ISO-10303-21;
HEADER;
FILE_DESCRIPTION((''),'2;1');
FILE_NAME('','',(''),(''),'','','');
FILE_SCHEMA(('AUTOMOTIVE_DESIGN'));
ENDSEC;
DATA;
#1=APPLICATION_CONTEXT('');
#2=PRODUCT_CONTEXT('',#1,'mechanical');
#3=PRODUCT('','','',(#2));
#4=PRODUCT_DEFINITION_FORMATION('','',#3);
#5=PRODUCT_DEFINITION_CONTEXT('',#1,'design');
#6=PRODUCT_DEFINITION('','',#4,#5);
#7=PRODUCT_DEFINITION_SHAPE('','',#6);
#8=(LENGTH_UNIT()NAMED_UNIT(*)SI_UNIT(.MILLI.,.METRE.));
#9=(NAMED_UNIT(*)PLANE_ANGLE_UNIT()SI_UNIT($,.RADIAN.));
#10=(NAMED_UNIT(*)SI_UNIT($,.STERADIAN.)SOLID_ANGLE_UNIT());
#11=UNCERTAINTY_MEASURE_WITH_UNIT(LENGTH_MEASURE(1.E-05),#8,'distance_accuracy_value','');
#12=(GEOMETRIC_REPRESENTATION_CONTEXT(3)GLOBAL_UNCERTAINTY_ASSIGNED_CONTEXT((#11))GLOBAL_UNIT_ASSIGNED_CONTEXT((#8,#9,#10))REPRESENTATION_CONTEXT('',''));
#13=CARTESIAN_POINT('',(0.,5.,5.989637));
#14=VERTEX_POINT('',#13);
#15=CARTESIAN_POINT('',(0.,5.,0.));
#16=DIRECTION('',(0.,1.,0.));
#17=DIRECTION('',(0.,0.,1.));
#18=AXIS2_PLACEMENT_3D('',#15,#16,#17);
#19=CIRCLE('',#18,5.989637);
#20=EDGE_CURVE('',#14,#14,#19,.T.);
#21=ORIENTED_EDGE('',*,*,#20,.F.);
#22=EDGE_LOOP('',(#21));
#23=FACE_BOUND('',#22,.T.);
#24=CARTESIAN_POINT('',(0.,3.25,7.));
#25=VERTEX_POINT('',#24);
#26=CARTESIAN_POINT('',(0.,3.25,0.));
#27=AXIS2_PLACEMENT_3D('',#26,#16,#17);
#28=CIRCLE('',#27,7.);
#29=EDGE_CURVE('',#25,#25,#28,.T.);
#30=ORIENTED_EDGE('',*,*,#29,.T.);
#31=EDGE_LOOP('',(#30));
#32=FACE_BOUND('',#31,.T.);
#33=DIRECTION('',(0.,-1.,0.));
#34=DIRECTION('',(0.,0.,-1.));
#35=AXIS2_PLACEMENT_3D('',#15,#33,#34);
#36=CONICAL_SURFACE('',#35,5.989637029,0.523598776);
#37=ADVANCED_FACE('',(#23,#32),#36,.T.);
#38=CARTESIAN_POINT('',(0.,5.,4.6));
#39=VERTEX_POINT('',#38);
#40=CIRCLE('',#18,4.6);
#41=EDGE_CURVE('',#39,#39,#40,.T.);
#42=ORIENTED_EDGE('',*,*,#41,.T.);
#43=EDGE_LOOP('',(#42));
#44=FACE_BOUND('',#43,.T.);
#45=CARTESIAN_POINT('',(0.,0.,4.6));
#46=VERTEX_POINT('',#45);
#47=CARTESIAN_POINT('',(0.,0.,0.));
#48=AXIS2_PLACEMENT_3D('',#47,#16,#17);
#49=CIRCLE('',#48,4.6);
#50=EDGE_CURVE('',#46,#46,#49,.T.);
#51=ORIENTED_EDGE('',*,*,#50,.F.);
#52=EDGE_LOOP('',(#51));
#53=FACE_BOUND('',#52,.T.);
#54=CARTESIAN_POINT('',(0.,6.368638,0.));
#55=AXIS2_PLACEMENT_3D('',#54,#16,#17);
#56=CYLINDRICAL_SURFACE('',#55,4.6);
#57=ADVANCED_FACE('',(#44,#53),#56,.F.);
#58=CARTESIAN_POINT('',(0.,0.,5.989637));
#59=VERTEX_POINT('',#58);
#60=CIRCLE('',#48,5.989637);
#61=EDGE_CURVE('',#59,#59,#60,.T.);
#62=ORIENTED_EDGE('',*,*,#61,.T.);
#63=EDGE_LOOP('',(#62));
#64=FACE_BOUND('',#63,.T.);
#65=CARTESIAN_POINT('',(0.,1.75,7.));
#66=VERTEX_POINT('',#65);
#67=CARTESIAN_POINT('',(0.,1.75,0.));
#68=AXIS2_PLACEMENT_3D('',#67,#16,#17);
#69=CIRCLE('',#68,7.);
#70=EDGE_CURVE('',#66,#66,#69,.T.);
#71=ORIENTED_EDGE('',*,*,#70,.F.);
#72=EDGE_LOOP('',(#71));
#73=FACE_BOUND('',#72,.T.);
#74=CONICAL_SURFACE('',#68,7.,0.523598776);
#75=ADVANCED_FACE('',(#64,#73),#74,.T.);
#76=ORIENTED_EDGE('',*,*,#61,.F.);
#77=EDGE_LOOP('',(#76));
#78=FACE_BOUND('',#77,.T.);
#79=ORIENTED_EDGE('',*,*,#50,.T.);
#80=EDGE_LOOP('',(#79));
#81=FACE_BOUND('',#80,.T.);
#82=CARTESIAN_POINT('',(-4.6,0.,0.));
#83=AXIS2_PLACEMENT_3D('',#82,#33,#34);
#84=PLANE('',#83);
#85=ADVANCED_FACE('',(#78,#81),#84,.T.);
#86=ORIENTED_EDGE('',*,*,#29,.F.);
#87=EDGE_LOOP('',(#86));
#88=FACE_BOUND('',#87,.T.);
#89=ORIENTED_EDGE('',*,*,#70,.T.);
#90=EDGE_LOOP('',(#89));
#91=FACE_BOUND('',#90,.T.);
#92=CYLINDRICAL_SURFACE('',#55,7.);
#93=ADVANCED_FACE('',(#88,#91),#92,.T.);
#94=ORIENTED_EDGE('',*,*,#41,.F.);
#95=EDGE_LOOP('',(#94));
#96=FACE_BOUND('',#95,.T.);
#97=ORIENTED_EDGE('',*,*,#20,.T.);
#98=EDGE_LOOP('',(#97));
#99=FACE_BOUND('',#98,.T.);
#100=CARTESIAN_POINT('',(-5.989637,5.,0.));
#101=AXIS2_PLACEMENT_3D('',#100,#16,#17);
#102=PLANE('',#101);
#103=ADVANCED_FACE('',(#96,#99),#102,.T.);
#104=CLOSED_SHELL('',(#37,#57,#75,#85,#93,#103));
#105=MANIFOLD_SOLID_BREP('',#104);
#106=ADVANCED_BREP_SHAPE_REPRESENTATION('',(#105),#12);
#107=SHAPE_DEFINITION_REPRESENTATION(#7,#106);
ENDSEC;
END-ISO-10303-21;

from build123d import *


with BuildPart() as part:
    # 草图2 → 旋转1 (revolve)
    with BuildSketch(Plane.XY, mode=Mode.PRIVATE) as revolve_1_sk:
        Polygon((-5.989637029, 0), (-7, 1.75), (-7, 3.25), (-5.989637029, 5), (-4.6, 5), (-4.6, 0), align=None)
    revolve(revolve_1_sk.sketch.rotate(Axis((0, 6.368637626, 0), (0, -1, 0)), 270), axis=Axis((0, 6.368637626, 0), (0, -1, 0)))


solid = part.part
